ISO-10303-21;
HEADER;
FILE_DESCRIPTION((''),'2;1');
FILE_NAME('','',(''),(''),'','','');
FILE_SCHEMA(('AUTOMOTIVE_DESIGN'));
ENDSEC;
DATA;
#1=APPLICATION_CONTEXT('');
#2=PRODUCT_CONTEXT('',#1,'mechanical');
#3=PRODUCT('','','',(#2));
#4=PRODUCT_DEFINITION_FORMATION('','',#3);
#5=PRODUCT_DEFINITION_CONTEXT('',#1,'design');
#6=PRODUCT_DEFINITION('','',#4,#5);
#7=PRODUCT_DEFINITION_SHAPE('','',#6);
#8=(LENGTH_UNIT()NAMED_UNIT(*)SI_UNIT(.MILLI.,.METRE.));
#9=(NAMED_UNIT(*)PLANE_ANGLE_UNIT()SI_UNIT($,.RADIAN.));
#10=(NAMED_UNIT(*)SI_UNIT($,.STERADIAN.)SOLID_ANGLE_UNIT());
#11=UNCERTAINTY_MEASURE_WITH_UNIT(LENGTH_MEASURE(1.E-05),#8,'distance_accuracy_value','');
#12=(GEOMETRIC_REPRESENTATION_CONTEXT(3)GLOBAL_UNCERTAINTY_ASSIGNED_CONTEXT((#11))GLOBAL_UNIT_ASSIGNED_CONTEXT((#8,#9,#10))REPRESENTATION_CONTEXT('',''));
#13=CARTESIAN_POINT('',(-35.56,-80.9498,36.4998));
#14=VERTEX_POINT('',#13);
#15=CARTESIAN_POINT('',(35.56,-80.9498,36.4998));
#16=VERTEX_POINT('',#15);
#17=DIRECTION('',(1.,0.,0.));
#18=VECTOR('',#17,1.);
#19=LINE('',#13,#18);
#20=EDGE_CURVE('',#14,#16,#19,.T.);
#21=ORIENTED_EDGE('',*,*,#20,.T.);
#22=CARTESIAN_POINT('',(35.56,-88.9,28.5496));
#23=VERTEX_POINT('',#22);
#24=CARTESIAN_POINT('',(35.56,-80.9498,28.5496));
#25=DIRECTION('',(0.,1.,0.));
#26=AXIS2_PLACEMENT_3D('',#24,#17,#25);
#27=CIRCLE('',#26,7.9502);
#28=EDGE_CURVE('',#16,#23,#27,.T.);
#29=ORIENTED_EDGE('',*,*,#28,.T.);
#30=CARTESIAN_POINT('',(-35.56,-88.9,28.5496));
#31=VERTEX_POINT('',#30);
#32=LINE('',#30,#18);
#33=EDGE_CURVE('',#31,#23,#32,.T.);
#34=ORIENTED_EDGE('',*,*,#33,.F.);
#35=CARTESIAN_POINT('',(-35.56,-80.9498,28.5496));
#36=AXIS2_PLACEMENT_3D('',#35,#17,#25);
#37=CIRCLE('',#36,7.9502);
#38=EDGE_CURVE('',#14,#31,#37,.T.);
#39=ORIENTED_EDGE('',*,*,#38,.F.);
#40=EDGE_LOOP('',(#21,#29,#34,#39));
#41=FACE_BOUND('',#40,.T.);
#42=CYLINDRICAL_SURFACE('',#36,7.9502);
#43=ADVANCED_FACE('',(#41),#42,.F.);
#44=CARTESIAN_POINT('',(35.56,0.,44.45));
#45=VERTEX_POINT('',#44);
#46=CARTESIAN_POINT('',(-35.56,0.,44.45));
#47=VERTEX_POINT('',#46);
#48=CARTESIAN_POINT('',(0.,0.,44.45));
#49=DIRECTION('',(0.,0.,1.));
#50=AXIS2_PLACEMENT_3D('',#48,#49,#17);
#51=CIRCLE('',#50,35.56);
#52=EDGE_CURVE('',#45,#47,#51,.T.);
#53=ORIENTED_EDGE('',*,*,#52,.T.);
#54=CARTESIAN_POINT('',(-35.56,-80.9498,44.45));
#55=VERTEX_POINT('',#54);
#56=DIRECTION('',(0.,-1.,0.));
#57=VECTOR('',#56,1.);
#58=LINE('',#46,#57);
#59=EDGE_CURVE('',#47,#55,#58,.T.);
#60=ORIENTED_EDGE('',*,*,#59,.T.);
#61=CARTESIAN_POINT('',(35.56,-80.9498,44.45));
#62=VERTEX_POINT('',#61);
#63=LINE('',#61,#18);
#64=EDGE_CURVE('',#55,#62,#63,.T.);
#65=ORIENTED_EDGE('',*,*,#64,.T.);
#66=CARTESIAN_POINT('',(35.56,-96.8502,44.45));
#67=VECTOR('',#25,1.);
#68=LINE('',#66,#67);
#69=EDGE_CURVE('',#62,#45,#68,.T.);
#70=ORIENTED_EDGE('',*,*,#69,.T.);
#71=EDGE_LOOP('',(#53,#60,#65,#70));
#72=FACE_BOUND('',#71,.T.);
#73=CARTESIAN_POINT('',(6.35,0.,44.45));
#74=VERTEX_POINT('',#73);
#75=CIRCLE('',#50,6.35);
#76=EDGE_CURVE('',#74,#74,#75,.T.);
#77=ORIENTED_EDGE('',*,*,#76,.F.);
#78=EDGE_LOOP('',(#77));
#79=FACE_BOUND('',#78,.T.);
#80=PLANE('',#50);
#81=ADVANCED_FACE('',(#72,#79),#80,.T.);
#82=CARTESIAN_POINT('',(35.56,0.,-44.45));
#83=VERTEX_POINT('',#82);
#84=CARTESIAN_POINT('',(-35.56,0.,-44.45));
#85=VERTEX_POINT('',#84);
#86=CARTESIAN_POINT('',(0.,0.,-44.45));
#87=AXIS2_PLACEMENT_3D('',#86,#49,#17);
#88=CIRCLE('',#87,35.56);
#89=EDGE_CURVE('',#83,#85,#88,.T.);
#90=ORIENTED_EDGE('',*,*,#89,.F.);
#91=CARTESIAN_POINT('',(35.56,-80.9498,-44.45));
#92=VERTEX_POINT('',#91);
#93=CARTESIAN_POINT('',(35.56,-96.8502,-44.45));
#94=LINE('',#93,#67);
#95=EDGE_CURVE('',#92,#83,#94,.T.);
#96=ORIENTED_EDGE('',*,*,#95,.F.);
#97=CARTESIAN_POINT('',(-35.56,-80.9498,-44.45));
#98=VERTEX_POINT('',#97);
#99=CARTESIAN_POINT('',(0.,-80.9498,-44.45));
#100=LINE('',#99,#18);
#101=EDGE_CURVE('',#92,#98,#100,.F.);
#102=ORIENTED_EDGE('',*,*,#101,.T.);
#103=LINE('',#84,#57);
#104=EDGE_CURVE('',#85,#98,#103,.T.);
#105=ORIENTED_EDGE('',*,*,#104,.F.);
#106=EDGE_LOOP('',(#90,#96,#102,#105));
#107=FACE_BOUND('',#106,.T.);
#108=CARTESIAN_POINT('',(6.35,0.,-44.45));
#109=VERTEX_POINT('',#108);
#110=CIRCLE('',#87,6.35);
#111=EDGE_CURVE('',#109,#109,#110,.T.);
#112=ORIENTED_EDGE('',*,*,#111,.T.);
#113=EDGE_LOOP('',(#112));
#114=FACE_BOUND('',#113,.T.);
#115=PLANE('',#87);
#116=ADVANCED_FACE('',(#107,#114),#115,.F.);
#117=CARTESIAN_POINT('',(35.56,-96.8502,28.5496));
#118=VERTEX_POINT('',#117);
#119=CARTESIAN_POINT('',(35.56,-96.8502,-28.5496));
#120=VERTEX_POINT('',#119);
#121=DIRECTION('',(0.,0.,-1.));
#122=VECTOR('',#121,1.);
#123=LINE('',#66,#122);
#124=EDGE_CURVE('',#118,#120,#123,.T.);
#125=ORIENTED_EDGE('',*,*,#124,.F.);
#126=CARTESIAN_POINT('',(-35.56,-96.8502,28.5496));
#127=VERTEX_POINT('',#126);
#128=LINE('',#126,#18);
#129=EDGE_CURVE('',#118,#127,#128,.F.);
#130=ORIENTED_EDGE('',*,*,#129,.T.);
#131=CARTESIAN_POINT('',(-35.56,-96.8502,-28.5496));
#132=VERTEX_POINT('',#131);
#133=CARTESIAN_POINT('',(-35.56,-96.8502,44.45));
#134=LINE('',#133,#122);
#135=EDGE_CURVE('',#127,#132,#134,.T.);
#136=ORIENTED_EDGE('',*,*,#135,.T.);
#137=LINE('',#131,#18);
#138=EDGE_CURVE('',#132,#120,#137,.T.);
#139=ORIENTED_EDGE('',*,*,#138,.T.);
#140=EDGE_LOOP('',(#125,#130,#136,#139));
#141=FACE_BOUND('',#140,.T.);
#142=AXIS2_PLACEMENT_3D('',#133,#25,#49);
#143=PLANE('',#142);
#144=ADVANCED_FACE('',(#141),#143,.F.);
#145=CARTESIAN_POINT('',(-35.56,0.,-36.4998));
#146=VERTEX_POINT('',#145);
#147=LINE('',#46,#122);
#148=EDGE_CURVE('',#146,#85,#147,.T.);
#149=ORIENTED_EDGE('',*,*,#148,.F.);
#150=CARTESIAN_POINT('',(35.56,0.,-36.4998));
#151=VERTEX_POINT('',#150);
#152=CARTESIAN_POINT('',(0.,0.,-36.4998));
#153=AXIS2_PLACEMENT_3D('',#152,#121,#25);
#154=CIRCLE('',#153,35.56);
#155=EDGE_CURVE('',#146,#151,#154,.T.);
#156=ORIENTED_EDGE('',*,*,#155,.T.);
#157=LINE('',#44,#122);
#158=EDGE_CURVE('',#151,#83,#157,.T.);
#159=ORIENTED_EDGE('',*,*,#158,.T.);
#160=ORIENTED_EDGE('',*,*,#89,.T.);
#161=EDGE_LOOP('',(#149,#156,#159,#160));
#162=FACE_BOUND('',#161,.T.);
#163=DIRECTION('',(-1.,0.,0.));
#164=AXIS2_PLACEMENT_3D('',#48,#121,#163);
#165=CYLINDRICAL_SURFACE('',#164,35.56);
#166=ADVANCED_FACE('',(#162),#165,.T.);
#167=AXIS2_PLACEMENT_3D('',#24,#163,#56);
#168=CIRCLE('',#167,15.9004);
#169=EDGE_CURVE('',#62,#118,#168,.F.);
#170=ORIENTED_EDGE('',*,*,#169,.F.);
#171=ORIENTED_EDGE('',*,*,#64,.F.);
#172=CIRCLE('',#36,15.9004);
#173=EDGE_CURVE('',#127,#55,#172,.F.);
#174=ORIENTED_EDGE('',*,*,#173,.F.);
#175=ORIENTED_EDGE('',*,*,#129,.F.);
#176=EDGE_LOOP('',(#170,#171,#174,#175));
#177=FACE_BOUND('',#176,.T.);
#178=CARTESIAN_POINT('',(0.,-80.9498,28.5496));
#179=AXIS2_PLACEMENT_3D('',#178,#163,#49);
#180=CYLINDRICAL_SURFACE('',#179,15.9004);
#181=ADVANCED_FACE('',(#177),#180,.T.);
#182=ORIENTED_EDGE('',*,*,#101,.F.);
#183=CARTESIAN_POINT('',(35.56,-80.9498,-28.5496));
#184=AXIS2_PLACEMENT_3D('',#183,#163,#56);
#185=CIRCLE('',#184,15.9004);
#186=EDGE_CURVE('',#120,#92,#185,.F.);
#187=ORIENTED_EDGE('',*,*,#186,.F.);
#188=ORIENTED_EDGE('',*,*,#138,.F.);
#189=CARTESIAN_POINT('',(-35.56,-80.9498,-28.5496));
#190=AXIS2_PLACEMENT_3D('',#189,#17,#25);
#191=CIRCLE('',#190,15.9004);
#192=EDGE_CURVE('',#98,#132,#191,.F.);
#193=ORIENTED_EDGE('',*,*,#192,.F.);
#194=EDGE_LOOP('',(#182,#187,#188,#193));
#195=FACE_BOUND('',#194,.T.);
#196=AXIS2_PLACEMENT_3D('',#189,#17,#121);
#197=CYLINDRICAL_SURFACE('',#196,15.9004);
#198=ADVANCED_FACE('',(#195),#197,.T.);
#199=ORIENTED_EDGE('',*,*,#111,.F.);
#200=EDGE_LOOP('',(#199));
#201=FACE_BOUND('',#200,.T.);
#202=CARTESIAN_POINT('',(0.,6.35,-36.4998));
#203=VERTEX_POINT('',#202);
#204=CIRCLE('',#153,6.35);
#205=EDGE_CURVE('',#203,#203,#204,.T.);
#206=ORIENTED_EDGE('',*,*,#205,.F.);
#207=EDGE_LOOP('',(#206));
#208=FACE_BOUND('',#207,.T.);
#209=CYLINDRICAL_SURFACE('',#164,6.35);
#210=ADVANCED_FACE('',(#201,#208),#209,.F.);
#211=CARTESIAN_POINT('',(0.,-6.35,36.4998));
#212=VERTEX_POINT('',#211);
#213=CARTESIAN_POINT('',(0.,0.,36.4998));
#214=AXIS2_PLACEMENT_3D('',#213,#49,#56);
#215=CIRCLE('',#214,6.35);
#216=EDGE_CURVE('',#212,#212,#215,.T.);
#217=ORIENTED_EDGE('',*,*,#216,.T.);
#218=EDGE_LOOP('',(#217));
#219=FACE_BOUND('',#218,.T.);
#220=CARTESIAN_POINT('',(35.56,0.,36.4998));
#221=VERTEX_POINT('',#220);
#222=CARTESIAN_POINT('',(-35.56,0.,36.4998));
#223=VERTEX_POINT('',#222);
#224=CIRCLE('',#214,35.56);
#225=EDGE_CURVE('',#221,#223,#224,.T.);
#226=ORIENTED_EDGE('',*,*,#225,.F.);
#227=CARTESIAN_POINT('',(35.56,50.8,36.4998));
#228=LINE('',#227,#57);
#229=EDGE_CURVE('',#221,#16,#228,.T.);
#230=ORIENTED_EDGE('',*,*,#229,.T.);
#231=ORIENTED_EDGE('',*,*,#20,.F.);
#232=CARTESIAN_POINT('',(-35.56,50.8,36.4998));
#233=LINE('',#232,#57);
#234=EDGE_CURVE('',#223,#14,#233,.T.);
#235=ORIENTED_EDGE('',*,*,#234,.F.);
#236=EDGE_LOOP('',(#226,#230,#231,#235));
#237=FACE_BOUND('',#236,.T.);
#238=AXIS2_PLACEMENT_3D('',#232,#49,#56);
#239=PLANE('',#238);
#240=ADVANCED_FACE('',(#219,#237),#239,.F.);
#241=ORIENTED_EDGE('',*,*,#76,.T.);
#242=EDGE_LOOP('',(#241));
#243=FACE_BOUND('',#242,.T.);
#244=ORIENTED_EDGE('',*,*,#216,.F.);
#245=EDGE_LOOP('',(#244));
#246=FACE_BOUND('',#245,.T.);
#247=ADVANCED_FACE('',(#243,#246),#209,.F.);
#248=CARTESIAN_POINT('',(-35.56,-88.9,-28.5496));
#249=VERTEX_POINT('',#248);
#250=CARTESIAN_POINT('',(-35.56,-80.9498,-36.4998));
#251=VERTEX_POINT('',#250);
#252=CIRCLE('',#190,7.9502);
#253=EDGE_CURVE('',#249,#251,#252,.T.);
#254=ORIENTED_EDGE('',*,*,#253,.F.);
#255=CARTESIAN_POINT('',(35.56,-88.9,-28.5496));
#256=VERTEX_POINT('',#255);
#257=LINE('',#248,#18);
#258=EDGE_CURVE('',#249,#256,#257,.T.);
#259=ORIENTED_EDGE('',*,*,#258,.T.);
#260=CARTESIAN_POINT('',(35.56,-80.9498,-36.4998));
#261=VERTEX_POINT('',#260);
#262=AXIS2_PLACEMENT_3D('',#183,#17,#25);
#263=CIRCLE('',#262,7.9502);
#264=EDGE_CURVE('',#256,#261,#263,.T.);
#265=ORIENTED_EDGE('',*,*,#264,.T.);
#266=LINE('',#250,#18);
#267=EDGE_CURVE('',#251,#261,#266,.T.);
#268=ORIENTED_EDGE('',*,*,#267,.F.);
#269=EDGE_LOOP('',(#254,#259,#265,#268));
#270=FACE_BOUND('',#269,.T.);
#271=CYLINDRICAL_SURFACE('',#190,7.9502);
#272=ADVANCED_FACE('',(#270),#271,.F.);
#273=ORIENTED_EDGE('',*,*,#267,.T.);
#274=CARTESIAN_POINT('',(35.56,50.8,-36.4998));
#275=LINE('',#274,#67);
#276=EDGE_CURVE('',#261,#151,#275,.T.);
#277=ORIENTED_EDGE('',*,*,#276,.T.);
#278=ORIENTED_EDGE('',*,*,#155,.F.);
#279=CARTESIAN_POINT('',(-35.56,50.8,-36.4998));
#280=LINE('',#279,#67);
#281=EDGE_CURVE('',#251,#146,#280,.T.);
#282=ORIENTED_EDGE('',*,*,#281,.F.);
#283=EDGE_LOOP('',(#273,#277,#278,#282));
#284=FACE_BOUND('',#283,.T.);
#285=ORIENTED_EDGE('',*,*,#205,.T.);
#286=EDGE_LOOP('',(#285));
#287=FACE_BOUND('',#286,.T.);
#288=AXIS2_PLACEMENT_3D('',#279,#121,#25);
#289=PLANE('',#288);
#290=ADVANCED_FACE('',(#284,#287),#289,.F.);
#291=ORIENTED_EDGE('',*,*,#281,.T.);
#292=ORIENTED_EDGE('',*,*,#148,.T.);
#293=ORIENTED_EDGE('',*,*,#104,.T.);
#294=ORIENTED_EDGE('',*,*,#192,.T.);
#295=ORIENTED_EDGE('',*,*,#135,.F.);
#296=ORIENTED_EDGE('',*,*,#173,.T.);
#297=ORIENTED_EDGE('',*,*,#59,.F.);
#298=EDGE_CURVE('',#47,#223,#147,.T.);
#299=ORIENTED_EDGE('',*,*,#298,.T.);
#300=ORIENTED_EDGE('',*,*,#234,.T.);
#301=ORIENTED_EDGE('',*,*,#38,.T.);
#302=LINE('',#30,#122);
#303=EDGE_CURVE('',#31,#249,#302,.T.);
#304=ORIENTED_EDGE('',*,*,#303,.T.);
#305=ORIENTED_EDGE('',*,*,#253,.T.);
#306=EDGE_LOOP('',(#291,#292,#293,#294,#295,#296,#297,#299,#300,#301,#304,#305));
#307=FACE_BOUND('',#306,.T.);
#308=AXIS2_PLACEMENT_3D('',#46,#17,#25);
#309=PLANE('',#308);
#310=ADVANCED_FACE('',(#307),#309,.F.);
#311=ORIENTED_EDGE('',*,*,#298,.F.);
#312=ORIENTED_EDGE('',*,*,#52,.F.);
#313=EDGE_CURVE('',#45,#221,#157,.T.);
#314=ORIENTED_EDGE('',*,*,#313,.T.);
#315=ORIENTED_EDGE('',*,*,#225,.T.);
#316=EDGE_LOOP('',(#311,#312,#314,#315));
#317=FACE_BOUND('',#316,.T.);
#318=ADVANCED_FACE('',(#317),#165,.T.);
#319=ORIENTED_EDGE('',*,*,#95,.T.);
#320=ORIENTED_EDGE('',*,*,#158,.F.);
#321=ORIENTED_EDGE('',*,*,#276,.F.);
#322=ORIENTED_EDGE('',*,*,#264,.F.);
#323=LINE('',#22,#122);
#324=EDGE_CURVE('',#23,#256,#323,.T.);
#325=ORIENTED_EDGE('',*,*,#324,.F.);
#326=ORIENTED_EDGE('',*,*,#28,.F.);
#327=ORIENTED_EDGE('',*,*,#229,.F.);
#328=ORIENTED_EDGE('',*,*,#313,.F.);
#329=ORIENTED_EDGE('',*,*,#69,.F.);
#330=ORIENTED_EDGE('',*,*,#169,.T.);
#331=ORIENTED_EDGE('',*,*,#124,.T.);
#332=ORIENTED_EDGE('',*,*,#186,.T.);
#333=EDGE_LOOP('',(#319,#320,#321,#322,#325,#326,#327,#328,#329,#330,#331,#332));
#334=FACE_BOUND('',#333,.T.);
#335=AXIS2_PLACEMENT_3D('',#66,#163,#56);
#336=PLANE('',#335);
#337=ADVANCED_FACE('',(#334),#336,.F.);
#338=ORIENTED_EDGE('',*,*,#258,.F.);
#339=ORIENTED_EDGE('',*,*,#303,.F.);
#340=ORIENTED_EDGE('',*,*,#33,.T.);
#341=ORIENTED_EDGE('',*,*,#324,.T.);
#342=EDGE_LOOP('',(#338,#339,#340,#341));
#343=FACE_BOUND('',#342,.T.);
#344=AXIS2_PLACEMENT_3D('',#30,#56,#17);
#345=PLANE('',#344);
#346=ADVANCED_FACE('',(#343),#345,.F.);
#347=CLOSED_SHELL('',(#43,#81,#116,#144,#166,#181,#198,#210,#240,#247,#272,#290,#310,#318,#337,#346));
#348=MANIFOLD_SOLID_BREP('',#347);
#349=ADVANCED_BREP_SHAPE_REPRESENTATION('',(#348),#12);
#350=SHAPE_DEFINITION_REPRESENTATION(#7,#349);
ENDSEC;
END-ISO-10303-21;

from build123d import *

# Parameters (mm, degrees)
SKETCH1_R           = 6.35
BOSS_EXTRUDE1_DEPTH = 44.45
CUT_EXTRUDE1_DEPTH  = 129.116424162
FILLET1_R           = 15.9004


with BuildPart() as part:
    # Sketch1 → Boss-Extrude1 (new, symmetric)
    with BuildSketch(Plane.XY):
        with BuildLine():
            Line((-35.56, 0), (-35.56, -96.8502))
            Line((-35.56, -96.8502), (35.56, -96.8502))
            Line((35.56, -96.8502), (35.56, 0))
            ThreePointArc((35.56, 0), (0, 35.56), (-35.56, 0))
        make_face()
        Circle(SKETCH1_R, mode=Mode.SUBTRACT)
    extrude(amount=BOSS_EXTRUDE1_DEPTH, both=True)

    # Sketch2 → Cut-Extrude1 (cut, through all)
    with BuildSketch(Plane(origin=(35.56, 0, 0), x_dir=(0, 0, -1), z_dir=(1, 0, 0))):
        with BuildLine():
            Line((-36.4998, 50.8), (36.4998, 50.8))
            Line((36.4998, 50.8), (36.4998, -80.9498))
            ThreePointArc((36.4998, -80.9498), (34.171240332, -86.571440332), (28.5496, -88.9))
            Line((28.5496, -88.9), (-28.5496, -88.9))
            ThreePointArc((-28.5496, -88.9), (-34.171240332, -86.571440332), (-36.4998, -80.9498))
            Line((-36.4998, -80.9498), (-36.4998, 50.8))
        make_face()
    extrude(amount=-CUT_EXTRUDE1_DEPTH, mode=Mode.SUBTRACT)

    # Fillet1
    fillet1_edges = [part.edges().sort_by_distance(p)[0] for p in [
        (0, -96.8502, 44.45),
        (0, -96.8502, -44.45),
    ]]
    fillet(fillet1_edges, radius=FILLET1_R)


solid = part.part
